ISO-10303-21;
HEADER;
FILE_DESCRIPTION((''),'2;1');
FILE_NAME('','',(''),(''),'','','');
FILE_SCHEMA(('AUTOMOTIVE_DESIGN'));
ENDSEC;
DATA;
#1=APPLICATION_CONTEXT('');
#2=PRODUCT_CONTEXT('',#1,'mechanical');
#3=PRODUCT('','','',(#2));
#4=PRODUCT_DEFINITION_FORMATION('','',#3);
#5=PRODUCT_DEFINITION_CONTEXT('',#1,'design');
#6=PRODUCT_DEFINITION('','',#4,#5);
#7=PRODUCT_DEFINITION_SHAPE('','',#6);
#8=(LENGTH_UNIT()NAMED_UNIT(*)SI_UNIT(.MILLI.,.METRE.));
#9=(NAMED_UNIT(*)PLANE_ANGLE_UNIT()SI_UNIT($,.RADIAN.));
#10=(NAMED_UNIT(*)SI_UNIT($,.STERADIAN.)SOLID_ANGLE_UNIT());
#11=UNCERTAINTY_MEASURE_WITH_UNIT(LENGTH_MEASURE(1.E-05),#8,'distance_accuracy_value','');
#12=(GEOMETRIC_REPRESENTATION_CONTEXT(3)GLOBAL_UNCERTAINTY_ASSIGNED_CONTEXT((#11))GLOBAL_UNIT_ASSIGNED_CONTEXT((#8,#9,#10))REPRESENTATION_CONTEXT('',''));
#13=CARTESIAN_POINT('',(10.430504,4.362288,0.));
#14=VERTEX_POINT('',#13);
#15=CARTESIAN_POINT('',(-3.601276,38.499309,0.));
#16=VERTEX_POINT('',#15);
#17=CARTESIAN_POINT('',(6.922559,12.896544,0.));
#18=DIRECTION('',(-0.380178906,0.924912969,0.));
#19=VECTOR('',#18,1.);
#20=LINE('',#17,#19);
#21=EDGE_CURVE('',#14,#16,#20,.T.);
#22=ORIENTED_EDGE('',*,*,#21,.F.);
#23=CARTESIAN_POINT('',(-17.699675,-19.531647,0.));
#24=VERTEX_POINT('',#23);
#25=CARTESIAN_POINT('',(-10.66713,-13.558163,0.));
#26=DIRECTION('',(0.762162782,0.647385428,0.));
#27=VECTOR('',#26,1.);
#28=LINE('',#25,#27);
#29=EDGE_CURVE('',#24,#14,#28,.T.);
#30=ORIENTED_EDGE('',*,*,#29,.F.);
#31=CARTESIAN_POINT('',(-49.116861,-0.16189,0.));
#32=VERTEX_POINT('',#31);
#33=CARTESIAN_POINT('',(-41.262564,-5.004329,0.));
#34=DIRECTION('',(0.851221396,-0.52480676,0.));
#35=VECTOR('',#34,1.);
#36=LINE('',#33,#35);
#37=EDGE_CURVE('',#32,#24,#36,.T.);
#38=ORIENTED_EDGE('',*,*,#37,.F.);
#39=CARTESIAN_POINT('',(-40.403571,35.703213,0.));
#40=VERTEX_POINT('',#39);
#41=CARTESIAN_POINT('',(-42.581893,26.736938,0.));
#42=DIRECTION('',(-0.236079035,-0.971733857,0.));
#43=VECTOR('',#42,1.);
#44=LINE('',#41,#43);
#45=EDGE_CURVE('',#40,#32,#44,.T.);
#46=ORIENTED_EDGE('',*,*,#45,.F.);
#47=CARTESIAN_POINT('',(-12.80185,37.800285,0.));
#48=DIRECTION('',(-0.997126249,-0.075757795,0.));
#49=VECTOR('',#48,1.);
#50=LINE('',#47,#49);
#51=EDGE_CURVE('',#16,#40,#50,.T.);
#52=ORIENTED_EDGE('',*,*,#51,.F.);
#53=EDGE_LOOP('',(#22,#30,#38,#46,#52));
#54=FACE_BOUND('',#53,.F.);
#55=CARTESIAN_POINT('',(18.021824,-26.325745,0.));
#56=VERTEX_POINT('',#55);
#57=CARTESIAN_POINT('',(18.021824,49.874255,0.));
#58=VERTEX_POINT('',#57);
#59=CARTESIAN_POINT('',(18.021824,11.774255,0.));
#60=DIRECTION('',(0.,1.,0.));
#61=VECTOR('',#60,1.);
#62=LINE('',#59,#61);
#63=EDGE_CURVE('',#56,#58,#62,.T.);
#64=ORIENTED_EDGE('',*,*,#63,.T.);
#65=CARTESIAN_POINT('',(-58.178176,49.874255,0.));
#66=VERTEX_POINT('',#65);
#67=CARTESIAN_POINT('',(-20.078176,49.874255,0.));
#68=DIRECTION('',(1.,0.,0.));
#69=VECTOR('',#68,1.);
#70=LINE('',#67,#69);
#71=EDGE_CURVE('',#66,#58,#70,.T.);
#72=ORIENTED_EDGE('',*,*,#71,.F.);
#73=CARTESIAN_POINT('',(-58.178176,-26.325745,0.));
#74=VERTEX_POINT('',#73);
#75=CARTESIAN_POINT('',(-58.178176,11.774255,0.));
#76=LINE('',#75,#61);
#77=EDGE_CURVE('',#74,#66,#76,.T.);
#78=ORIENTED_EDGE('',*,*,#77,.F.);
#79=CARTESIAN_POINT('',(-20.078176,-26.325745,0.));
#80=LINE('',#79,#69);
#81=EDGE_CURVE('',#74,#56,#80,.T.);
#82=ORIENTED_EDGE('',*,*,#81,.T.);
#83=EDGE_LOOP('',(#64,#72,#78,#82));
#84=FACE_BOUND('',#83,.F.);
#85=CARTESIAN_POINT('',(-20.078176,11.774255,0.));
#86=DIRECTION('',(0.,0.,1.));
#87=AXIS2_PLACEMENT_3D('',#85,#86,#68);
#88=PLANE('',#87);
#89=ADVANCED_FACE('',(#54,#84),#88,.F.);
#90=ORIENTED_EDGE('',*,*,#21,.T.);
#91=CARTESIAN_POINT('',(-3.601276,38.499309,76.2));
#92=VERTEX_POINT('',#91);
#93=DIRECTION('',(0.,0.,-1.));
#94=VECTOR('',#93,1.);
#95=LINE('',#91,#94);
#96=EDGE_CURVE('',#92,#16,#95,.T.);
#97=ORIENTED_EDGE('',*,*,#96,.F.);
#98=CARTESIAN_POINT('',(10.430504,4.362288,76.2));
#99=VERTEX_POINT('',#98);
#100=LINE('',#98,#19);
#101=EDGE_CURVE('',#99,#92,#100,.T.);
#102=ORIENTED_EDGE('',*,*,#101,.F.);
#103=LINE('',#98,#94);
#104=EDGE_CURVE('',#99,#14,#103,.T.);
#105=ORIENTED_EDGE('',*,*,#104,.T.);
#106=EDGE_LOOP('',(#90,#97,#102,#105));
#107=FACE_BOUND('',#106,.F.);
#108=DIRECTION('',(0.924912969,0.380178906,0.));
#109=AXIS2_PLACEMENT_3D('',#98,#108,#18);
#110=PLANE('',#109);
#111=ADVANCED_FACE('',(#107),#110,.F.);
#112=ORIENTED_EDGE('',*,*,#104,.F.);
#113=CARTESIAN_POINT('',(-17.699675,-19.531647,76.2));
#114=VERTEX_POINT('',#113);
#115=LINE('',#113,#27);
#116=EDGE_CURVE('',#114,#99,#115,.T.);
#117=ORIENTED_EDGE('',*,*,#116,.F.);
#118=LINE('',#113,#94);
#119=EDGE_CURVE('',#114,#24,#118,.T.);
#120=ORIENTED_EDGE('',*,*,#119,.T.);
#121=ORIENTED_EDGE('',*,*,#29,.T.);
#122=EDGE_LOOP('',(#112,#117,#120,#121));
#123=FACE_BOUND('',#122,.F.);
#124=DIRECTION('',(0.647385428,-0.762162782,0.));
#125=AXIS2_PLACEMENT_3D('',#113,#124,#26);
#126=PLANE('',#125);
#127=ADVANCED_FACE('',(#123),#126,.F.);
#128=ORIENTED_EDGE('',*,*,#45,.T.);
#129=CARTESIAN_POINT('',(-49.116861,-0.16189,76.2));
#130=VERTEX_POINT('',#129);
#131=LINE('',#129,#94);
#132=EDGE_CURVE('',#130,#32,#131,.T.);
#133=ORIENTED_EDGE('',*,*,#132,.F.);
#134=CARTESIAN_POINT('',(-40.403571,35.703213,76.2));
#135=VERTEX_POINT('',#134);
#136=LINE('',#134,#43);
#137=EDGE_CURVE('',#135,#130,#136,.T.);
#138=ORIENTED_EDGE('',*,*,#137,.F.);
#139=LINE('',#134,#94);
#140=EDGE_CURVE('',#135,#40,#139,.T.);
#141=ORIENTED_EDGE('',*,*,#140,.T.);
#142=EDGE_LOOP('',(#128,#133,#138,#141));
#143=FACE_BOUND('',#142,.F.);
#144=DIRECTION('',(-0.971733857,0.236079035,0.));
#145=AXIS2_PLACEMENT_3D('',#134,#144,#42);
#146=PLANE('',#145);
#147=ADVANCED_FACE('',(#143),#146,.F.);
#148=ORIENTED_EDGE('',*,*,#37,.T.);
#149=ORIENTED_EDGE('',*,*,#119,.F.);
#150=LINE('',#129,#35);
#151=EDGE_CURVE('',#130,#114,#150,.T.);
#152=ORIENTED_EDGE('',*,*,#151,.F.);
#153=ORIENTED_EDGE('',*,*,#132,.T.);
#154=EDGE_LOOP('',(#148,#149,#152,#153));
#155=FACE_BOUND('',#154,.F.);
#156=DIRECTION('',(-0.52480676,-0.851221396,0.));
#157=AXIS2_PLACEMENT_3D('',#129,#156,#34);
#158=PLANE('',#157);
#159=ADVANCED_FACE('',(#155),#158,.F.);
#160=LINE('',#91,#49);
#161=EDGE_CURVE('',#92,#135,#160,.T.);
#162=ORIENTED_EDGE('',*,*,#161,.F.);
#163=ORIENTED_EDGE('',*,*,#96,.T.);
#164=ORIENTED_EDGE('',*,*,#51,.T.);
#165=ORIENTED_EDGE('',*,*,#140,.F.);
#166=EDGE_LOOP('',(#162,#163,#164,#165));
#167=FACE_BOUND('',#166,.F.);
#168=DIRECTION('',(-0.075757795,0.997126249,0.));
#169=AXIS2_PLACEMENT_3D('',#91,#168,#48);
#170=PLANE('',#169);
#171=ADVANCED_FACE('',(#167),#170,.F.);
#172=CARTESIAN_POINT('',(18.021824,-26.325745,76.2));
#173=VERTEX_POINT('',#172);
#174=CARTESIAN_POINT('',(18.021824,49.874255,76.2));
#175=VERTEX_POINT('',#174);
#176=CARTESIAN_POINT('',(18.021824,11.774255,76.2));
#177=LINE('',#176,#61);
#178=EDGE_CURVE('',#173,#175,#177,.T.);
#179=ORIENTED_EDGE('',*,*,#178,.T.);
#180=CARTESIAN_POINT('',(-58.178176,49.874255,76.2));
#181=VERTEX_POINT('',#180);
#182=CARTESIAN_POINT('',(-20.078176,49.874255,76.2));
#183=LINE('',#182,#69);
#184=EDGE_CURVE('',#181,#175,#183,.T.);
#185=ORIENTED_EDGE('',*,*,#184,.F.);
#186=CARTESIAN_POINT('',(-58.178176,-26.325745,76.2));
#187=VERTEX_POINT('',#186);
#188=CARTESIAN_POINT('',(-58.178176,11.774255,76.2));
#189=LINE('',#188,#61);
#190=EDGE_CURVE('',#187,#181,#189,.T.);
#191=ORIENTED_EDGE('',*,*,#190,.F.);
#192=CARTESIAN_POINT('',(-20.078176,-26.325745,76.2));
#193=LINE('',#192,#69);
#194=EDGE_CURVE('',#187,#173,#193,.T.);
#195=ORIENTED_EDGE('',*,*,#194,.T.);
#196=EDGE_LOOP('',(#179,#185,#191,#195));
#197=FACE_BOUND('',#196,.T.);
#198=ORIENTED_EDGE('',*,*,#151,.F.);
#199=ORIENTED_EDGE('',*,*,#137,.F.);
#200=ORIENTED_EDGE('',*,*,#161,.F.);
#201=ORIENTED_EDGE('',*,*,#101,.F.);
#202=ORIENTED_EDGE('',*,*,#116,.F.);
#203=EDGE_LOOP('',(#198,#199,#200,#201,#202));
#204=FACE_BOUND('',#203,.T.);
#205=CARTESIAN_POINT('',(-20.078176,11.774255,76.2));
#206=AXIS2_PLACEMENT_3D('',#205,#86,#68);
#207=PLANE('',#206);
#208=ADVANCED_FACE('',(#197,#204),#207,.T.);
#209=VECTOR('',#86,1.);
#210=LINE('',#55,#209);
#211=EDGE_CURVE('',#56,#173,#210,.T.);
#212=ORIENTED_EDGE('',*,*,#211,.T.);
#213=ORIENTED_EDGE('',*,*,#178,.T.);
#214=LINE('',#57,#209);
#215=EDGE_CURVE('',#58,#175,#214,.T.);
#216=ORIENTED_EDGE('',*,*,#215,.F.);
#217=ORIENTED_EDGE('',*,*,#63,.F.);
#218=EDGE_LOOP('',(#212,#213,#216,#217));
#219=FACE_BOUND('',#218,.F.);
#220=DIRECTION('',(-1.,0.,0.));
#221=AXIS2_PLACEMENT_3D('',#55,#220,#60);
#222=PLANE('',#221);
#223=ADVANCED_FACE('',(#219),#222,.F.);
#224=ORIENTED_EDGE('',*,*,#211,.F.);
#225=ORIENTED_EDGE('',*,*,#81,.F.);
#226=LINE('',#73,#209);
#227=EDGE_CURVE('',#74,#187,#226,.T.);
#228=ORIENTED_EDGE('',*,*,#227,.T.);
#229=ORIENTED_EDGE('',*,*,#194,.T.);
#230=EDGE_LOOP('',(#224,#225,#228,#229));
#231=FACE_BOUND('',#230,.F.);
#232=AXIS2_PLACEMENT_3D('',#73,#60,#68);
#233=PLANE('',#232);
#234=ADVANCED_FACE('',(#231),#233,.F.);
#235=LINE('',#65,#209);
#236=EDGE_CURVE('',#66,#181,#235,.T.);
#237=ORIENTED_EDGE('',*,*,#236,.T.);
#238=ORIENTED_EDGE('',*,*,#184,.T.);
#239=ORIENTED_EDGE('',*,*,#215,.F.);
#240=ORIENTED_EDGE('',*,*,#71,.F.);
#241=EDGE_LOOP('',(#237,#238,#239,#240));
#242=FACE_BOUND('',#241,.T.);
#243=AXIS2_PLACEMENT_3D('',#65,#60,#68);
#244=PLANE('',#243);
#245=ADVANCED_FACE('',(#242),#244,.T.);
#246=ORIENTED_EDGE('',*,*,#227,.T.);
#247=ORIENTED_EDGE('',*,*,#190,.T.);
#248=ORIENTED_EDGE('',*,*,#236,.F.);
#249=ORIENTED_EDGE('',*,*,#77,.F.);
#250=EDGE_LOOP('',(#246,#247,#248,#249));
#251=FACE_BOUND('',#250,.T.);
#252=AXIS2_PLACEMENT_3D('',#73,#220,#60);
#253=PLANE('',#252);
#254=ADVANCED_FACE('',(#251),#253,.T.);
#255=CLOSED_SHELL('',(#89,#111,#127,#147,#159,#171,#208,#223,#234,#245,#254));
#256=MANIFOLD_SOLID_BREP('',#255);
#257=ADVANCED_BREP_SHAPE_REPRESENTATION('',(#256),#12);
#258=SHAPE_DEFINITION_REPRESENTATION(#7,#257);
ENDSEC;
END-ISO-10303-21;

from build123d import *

# Parameters (mm, degrees)
F0_W     = 76.2
F0_H     = 76.2
F1_DEPTH = 76.2
F3_DEPTH = 76.201


with BuildPart() as f1:
    # F0 (on Top) → F1 (new body)
    with BuildSketch(Plane.XY):
        with Locations((-20.078176, 11.774255)):
            Rectangle(F0_W, F0_H)
    extrude(amount=F1_DEPTH)

    # F2 (on face) → F3 (cut, through all)
    with BuildSketch(Plane.XY.offset(76.2)):
        Polygon((-17.699675, -19.531647), (10.430504, 4.362288), (-3.601276, 38.499309), (-40.403571, 35.703213), (-49.116861, -0.16189), align=None)
    extrude(amount=-F3_DEPTH, mode=Mode.SUBTRACT)


solid = f1.part
